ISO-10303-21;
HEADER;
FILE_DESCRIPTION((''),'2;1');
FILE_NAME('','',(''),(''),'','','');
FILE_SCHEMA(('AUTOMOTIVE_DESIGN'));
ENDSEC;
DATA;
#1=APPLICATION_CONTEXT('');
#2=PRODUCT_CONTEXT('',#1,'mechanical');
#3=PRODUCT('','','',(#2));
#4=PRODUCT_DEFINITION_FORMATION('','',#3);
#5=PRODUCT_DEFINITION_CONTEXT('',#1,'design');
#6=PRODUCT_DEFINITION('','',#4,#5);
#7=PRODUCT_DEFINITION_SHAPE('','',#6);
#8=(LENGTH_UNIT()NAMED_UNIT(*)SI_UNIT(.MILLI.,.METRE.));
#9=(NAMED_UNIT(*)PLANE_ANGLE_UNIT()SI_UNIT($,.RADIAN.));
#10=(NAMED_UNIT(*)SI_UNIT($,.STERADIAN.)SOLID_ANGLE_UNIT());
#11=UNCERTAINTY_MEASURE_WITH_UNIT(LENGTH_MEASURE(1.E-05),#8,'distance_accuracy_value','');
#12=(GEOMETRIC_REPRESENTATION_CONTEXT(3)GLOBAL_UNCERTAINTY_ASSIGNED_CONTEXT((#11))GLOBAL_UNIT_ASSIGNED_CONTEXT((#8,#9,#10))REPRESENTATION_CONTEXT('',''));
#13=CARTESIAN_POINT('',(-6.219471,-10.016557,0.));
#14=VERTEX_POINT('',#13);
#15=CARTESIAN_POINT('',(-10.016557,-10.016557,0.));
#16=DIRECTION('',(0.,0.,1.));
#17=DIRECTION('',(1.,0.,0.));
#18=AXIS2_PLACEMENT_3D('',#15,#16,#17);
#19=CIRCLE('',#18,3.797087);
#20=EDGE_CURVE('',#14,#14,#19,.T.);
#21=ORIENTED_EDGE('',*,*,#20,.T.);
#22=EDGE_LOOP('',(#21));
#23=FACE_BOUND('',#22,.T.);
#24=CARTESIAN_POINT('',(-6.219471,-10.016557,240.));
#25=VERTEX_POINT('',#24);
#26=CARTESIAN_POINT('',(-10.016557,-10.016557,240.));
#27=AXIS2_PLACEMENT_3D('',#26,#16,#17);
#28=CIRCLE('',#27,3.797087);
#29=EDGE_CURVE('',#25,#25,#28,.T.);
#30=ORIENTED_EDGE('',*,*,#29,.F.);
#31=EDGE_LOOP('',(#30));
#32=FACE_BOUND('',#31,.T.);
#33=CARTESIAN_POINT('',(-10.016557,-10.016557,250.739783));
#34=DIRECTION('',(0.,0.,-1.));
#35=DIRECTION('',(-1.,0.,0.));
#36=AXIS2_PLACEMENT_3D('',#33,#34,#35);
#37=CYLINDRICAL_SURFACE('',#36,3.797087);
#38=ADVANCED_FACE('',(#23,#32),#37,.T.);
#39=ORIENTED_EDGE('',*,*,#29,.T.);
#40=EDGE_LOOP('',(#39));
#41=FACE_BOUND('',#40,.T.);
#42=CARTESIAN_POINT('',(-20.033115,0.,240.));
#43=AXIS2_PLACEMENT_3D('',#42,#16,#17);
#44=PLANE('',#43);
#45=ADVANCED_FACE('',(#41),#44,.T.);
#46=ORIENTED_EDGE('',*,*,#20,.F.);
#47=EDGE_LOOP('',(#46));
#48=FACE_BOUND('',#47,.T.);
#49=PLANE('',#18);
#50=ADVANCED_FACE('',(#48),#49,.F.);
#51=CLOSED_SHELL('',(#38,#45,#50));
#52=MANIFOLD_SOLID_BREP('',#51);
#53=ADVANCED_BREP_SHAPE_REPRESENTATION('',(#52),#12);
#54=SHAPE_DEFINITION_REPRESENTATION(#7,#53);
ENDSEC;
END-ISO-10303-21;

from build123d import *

# Parameters (mm, degrees)
SKETCH1_R           = 3.7970867
BOSS_EXTRUDE1_DEPTH = 240


with BuildPart() as part:
    # Sketch1 → Boss-Extrude1 (new body)
    with BuildSketch(Plane.XY):
        with Locations((-10.016557459, -10.016557459)):
            Circle(SKETCH1_R)
    extrude(amount=BOSS_EXTRUDE1_DEPTH)


solid = part.part
